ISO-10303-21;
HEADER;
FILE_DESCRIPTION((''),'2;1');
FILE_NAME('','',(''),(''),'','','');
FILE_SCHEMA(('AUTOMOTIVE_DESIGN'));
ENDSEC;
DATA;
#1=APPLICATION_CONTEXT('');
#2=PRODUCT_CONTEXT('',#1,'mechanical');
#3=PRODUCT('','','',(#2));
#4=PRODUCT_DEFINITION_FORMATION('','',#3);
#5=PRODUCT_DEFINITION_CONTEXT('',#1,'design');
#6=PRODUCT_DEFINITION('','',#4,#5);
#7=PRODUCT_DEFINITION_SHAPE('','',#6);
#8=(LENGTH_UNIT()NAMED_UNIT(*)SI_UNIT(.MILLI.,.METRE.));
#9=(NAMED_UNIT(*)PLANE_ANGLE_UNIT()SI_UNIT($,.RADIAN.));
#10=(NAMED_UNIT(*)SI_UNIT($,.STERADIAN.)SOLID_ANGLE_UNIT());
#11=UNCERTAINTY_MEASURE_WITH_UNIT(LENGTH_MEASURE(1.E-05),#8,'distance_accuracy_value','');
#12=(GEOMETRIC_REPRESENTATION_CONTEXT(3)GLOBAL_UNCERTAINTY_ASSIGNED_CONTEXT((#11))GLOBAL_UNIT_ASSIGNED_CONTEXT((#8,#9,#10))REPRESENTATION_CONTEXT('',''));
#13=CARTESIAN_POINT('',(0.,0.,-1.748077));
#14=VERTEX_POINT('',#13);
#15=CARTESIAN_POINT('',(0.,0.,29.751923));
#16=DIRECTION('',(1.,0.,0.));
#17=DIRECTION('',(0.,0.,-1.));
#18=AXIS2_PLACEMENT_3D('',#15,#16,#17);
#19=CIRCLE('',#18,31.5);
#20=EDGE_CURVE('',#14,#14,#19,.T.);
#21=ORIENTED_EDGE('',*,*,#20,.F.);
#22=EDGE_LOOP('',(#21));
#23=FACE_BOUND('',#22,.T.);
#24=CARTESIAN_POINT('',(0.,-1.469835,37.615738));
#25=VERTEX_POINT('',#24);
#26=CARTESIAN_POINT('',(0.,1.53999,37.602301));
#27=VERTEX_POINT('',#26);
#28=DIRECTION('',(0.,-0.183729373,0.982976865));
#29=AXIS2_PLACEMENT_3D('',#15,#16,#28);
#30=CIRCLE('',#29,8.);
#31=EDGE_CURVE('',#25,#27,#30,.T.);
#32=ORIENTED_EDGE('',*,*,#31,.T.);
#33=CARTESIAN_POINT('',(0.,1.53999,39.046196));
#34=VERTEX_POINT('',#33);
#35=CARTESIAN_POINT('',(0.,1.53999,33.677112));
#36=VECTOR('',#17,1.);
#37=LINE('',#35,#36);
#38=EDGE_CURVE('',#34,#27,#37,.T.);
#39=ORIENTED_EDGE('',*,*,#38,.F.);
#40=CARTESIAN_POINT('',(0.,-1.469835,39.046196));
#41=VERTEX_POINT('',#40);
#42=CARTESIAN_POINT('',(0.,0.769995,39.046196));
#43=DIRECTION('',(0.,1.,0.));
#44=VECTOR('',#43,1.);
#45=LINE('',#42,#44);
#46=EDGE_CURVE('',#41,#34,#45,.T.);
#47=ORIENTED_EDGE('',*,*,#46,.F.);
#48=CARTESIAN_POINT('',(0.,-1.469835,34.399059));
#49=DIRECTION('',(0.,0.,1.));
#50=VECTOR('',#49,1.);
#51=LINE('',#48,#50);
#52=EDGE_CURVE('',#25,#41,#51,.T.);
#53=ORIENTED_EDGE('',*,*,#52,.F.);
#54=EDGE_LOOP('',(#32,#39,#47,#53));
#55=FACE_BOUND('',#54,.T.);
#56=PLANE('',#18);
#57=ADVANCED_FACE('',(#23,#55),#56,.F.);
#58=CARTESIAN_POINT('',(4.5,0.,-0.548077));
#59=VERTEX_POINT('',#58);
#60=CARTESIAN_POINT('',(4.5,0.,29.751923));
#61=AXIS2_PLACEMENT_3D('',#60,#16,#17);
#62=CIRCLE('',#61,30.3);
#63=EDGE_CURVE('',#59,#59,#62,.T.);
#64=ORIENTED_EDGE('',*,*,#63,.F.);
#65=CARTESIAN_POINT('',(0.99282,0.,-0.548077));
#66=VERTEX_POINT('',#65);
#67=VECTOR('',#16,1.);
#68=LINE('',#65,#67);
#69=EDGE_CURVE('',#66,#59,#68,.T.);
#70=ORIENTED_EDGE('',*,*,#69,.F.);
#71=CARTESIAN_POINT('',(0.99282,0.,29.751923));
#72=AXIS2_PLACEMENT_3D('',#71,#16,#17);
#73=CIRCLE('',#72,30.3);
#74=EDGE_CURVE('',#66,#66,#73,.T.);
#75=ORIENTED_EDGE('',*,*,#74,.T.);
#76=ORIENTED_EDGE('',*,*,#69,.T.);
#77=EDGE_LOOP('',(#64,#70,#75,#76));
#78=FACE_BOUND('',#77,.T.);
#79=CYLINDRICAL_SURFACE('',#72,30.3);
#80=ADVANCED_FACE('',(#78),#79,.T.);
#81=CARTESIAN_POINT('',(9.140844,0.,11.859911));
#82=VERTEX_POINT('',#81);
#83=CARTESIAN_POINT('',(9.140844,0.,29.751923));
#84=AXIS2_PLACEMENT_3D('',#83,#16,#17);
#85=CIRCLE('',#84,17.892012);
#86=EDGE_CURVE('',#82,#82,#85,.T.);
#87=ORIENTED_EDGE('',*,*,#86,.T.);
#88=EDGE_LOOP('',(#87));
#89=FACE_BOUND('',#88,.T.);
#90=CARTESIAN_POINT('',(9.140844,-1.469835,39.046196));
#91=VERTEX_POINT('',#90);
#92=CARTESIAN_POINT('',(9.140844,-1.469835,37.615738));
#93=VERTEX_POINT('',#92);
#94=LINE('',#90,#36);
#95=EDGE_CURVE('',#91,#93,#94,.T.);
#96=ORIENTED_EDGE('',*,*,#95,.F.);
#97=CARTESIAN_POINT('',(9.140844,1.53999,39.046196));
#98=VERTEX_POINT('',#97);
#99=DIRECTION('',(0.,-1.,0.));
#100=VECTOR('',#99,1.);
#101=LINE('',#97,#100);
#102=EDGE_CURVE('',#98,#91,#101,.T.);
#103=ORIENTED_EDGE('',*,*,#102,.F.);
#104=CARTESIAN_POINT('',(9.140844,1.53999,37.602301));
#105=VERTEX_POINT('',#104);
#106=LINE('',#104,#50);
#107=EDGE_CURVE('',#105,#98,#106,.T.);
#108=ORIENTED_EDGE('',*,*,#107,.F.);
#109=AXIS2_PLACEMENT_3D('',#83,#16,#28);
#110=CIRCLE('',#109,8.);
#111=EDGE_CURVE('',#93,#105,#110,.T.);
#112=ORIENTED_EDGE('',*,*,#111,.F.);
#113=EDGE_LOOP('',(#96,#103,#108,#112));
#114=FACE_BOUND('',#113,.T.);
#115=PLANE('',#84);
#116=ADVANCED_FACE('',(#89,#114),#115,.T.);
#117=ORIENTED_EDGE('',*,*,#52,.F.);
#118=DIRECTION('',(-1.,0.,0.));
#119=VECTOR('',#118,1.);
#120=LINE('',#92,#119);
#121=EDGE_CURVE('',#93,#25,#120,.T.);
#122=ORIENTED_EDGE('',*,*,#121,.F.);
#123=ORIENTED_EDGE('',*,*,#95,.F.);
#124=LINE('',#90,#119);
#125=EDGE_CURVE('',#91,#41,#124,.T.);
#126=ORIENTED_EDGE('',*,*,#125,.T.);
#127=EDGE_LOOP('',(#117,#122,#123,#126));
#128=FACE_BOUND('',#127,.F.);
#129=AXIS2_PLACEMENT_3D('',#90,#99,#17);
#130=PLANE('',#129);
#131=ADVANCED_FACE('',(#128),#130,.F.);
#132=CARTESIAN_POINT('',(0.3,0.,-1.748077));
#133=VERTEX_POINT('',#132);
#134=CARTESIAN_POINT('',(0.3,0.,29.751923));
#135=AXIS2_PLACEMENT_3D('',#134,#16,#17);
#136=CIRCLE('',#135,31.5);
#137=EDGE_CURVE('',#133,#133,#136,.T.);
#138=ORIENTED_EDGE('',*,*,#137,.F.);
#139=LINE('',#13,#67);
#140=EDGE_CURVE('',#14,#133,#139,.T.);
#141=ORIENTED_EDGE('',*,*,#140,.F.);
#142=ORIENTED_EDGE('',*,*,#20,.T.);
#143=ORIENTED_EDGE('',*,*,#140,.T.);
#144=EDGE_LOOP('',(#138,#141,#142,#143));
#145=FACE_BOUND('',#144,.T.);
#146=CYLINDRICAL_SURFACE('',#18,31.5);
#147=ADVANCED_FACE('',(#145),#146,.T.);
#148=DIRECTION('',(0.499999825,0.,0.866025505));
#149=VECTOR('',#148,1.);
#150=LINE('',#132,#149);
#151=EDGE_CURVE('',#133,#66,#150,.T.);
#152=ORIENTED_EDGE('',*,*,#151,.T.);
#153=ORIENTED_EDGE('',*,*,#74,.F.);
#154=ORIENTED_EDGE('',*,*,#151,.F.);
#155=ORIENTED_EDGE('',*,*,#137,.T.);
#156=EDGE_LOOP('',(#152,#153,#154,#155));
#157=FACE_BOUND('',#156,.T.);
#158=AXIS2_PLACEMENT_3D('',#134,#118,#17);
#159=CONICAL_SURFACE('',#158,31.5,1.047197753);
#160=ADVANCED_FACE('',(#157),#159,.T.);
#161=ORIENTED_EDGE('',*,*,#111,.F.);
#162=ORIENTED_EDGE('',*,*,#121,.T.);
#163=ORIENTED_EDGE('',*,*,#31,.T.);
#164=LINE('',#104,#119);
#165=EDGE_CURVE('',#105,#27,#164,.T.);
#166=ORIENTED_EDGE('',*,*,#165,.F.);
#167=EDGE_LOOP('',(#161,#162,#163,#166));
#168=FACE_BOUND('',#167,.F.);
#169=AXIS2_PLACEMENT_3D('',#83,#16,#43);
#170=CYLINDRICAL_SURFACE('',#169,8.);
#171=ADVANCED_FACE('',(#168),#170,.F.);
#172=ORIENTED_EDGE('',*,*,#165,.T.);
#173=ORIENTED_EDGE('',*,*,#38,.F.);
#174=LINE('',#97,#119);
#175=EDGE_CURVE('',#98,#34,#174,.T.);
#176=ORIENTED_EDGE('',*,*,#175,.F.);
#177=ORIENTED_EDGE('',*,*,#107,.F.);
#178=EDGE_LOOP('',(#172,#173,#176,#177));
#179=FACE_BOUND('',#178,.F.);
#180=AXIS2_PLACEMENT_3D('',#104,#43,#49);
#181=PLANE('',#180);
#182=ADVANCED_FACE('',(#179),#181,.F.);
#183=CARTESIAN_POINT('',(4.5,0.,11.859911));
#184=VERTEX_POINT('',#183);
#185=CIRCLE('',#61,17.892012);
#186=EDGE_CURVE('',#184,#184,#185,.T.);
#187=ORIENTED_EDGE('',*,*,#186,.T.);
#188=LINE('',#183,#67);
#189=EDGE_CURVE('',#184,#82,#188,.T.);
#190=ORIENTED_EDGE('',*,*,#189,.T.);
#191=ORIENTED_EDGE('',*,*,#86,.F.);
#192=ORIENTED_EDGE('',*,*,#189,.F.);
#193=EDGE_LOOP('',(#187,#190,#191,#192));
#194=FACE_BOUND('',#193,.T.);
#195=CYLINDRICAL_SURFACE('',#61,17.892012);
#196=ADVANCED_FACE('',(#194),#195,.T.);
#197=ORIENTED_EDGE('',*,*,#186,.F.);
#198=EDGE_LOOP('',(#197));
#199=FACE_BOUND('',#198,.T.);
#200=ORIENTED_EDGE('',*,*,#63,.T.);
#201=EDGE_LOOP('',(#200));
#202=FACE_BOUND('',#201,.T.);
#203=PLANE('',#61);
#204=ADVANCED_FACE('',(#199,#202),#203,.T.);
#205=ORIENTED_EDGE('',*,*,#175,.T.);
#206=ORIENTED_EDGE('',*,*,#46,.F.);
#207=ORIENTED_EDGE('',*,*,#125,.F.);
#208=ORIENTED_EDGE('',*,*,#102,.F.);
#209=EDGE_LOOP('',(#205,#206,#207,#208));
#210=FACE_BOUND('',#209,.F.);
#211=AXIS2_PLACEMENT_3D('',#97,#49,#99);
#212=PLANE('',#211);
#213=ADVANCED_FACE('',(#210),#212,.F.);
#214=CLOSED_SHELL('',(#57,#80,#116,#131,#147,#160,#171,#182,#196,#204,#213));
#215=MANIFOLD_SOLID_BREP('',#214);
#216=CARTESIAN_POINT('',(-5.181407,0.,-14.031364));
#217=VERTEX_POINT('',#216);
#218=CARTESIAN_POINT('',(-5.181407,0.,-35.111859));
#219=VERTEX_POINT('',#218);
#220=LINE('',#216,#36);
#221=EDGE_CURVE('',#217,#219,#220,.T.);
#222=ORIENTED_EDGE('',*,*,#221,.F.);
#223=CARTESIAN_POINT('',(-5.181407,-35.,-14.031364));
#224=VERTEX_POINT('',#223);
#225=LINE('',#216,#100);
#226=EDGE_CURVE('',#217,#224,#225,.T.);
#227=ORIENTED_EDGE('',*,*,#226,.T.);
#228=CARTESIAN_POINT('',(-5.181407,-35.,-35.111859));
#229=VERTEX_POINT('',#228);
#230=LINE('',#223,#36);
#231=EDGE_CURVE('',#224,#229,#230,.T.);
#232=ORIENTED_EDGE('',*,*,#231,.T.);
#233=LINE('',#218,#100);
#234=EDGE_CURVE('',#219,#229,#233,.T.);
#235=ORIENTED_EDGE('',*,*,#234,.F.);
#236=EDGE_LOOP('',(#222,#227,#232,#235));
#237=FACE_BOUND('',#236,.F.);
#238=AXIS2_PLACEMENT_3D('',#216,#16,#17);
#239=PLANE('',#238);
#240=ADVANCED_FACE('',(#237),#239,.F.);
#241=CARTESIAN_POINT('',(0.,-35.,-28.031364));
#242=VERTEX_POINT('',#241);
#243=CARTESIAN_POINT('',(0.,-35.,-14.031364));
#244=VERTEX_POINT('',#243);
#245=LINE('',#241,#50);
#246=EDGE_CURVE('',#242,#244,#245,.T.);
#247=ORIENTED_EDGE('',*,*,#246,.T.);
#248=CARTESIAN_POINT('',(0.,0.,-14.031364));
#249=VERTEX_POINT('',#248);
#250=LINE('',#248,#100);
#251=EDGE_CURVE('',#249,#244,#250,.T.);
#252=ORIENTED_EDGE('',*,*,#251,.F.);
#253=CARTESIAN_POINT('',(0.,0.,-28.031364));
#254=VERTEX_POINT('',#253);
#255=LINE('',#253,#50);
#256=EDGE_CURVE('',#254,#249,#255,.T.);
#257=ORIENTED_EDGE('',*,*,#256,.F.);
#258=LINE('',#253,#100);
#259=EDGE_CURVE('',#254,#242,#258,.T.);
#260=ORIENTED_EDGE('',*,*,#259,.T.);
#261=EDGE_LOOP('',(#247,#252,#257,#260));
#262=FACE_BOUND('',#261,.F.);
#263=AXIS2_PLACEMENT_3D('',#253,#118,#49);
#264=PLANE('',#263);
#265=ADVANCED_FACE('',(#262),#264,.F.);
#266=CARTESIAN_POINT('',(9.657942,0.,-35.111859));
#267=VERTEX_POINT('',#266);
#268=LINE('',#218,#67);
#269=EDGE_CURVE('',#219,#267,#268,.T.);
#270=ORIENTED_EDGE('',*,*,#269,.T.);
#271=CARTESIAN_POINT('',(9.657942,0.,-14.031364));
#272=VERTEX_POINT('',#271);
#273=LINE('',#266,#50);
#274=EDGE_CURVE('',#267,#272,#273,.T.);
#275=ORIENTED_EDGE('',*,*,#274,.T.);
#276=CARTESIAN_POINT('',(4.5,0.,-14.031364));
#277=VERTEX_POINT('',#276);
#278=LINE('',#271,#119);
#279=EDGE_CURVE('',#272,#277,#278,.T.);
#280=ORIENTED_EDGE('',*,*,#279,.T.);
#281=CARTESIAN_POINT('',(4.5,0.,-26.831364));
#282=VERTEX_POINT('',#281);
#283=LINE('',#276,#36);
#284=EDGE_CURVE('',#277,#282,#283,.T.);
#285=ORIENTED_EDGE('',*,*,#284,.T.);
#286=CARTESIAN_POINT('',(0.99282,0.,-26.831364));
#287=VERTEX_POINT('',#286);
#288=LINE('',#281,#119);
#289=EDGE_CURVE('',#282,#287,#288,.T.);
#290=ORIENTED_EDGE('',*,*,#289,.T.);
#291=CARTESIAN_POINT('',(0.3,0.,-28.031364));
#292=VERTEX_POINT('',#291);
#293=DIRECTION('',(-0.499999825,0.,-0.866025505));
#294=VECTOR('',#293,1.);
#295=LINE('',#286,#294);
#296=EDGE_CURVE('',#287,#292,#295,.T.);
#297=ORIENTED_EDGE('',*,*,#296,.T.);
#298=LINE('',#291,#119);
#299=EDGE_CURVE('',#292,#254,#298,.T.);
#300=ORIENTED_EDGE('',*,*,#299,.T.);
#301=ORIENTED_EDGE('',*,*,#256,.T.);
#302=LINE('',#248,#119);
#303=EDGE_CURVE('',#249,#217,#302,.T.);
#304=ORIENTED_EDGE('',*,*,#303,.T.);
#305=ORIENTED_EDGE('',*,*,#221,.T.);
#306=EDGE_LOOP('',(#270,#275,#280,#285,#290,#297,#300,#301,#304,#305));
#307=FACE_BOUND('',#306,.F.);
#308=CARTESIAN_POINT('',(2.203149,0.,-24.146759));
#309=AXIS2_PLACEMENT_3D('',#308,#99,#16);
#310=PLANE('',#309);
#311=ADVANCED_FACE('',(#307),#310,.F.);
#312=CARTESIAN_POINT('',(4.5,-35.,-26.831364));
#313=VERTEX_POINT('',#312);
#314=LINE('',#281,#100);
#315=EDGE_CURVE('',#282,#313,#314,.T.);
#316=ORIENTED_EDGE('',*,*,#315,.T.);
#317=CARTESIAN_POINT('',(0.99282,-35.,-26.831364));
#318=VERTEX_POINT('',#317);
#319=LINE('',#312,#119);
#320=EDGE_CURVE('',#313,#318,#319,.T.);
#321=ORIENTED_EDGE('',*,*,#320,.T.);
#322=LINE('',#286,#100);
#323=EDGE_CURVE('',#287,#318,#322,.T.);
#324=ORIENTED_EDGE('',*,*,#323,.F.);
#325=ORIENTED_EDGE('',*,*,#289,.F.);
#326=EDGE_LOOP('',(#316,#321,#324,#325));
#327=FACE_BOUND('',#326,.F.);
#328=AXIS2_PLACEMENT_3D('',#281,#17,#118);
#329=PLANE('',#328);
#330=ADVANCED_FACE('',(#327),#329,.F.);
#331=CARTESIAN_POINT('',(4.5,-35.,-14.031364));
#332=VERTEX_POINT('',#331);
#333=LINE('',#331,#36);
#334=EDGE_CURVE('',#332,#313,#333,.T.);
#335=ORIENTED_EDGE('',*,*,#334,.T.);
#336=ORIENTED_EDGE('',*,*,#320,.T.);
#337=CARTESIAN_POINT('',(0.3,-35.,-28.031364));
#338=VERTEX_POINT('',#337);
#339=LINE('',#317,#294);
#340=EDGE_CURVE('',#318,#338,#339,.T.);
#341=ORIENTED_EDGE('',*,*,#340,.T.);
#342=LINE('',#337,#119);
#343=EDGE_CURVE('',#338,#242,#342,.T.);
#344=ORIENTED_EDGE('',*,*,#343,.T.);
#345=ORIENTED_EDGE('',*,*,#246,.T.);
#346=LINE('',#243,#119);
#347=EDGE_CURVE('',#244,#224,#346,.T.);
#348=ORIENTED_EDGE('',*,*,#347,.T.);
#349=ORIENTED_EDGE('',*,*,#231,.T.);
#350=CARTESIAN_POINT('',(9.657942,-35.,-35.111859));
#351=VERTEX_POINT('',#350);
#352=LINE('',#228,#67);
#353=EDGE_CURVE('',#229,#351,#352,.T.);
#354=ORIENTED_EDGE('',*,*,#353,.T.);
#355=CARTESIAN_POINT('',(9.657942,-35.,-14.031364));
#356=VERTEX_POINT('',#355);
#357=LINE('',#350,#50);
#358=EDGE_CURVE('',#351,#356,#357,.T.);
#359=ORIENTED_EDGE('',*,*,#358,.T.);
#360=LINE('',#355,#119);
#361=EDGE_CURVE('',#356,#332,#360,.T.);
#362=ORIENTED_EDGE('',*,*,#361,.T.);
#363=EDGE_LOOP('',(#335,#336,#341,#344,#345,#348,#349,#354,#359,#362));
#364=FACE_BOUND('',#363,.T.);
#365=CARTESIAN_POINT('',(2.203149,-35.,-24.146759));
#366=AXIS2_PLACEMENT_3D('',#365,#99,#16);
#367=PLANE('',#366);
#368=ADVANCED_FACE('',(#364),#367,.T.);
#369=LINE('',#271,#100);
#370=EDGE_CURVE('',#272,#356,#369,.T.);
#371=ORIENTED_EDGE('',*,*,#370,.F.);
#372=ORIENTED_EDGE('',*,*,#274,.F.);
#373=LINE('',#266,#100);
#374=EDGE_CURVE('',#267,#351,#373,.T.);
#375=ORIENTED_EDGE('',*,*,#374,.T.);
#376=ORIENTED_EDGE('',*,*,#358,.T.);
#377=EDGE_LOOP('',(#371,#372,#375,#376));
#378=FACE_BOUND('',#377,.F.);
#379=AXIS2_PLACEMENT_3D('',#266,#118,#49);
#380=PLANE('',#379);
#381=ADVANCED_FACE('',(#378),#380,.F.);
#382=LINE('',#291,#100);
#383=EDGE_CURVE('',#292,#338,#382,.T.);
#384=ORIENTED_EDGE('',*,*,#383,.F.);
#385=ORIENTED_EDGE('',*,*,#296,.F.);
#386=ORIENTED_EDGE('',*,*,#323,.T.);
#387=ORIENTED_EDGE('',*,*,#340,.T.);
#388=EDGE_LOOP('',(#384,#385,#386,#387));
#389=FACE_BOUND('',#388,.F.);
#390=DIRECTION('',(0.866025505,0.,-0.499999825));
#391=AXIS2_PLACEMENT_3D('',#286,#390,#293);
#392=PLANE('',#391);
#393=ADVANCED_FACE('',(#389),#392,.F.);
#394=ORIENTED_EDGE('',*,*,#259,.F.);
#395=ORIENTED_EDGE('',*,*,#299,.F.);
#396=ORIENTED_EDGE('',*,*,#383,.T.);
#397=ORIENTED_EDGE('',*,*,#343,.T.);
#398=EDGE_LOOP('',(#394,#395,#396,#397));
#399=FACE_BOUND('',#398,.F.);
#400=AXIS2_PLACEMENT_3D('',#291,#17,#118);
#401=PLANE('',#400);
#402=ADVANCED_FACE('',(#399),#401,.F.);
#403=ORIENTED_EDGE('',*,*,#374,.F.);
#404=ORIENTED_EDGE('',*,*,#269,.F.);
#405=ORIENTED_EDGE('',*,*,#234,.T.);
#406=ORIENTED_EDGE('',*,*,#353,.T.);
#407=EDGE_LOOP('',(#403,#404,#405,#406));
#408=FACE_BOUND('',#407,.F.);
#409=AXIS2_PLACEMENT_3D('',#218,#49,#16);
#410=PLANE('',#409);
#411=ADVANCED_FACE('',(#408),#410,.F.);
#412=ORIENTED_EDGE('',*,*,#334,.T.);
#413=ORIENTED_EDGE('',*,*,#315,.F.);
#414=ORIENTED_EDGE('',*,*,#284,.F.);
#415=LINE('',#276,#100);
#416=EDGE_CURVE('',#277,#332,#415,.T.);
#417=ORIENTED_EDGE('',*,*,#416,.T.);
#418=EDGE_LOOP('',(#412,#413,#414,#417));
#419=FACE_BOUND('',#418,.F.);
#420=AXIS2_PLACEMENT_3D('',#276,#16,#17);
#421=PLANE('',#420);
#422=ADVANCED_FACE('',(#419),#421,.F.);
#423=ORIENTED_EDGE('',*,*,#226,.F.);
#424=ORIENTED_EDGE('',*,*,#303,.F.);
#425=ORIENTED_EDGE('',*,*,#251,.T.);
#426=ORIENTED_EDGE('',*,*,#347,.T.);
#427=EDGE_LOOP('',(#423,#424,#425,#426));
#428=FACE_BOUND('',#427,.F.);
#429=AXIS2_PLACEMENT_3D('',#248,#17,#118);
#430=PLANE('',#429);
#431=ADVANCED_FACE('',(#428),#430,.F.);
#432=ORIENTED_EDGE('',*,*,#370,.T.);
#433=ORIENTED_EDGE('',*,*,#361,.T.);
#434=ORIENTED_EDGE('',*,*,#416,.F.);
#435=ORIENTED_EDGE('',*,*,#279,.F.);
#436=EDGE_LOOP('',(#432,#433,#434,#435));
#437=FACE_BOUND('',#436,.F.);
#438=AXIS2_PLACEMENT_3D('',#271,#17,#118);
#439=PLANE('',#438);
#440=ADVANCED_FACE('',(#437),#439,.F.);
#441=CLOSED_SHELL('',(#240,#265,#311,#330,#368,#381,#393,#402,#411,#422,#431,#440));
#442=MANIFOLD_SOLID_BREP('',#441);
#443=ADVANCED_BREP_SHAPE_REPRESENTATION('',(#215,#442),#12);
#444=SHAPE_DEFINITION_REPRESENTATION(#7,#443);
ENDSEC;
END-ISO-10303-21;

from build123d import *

# Parameters (mm, degrees)
F3_DEPTH = 35
F4_R     = 8
F5_DEPTH = 25
F7_DEPTH = 25


with BuildPart() as f1:
    # F0 (on Front) → F1 (revolve)
    with BuildSketch(Plane.XZ):
        Polygon((0, 29.751923), (0, -1.748077), (0.3, -1.748077), (0.99282, -0.548077), (4.5, -0.548077), (4.5, 11.859911), (9.140844, 11.859911), (9.140844, 29.751923), align=None)
    revolve(axis=Axis((4.570422, 0, 29.751923), (1, 0, 0)))

    # F4 (on face) → F5 (cut)
    with BuildSketch(Plane.YZ.offset(9.140844)):
        with Locations((0, 29.751923)):
            Circle(F4_R)
    extrude(amount=-F5_DEPTH, mode=Mode.SUBTRACT)

    # F6 (on face) → F7 (cut)
    with BuildSketch(Plane.YZ.offset(9.140844)):
        with BuildLine():
            Line((1.53999, 39.046196), (-1.469835, 39.046196))
            Line((-1.469835, 39.046196), (-1.469835, 37.615738))
            ThreePointArc((-1.469835, 37.615738), (0.035715, 37.751844), (1.53999, 37.602301))
            Line((1.53999, 37.602301), (1.53999, 39.046196))
        make_face()
    extrude(amount=-F7_DEPTH, mode=Mode.SUBTRACT)


with BuildPart() as f3:
    # F2 (on Front) → F3 (new body)
    with BuildSketch(Plane.XZ):
        Polygon((4.5, -26.831364), (0.99282, -26.831364), (0.3, -28.031364), (0, -28.031364), (0, -14.031364), (-5.181407, -14.031364), (-5.181407, -35.111859), (9.657942, -35.111859), (9.657942, -14.031364), (4.5, -14.031364), align=None)
    extrude(amount=F3_DEPTH)


solid = Compound([f1.part, f3.part])
